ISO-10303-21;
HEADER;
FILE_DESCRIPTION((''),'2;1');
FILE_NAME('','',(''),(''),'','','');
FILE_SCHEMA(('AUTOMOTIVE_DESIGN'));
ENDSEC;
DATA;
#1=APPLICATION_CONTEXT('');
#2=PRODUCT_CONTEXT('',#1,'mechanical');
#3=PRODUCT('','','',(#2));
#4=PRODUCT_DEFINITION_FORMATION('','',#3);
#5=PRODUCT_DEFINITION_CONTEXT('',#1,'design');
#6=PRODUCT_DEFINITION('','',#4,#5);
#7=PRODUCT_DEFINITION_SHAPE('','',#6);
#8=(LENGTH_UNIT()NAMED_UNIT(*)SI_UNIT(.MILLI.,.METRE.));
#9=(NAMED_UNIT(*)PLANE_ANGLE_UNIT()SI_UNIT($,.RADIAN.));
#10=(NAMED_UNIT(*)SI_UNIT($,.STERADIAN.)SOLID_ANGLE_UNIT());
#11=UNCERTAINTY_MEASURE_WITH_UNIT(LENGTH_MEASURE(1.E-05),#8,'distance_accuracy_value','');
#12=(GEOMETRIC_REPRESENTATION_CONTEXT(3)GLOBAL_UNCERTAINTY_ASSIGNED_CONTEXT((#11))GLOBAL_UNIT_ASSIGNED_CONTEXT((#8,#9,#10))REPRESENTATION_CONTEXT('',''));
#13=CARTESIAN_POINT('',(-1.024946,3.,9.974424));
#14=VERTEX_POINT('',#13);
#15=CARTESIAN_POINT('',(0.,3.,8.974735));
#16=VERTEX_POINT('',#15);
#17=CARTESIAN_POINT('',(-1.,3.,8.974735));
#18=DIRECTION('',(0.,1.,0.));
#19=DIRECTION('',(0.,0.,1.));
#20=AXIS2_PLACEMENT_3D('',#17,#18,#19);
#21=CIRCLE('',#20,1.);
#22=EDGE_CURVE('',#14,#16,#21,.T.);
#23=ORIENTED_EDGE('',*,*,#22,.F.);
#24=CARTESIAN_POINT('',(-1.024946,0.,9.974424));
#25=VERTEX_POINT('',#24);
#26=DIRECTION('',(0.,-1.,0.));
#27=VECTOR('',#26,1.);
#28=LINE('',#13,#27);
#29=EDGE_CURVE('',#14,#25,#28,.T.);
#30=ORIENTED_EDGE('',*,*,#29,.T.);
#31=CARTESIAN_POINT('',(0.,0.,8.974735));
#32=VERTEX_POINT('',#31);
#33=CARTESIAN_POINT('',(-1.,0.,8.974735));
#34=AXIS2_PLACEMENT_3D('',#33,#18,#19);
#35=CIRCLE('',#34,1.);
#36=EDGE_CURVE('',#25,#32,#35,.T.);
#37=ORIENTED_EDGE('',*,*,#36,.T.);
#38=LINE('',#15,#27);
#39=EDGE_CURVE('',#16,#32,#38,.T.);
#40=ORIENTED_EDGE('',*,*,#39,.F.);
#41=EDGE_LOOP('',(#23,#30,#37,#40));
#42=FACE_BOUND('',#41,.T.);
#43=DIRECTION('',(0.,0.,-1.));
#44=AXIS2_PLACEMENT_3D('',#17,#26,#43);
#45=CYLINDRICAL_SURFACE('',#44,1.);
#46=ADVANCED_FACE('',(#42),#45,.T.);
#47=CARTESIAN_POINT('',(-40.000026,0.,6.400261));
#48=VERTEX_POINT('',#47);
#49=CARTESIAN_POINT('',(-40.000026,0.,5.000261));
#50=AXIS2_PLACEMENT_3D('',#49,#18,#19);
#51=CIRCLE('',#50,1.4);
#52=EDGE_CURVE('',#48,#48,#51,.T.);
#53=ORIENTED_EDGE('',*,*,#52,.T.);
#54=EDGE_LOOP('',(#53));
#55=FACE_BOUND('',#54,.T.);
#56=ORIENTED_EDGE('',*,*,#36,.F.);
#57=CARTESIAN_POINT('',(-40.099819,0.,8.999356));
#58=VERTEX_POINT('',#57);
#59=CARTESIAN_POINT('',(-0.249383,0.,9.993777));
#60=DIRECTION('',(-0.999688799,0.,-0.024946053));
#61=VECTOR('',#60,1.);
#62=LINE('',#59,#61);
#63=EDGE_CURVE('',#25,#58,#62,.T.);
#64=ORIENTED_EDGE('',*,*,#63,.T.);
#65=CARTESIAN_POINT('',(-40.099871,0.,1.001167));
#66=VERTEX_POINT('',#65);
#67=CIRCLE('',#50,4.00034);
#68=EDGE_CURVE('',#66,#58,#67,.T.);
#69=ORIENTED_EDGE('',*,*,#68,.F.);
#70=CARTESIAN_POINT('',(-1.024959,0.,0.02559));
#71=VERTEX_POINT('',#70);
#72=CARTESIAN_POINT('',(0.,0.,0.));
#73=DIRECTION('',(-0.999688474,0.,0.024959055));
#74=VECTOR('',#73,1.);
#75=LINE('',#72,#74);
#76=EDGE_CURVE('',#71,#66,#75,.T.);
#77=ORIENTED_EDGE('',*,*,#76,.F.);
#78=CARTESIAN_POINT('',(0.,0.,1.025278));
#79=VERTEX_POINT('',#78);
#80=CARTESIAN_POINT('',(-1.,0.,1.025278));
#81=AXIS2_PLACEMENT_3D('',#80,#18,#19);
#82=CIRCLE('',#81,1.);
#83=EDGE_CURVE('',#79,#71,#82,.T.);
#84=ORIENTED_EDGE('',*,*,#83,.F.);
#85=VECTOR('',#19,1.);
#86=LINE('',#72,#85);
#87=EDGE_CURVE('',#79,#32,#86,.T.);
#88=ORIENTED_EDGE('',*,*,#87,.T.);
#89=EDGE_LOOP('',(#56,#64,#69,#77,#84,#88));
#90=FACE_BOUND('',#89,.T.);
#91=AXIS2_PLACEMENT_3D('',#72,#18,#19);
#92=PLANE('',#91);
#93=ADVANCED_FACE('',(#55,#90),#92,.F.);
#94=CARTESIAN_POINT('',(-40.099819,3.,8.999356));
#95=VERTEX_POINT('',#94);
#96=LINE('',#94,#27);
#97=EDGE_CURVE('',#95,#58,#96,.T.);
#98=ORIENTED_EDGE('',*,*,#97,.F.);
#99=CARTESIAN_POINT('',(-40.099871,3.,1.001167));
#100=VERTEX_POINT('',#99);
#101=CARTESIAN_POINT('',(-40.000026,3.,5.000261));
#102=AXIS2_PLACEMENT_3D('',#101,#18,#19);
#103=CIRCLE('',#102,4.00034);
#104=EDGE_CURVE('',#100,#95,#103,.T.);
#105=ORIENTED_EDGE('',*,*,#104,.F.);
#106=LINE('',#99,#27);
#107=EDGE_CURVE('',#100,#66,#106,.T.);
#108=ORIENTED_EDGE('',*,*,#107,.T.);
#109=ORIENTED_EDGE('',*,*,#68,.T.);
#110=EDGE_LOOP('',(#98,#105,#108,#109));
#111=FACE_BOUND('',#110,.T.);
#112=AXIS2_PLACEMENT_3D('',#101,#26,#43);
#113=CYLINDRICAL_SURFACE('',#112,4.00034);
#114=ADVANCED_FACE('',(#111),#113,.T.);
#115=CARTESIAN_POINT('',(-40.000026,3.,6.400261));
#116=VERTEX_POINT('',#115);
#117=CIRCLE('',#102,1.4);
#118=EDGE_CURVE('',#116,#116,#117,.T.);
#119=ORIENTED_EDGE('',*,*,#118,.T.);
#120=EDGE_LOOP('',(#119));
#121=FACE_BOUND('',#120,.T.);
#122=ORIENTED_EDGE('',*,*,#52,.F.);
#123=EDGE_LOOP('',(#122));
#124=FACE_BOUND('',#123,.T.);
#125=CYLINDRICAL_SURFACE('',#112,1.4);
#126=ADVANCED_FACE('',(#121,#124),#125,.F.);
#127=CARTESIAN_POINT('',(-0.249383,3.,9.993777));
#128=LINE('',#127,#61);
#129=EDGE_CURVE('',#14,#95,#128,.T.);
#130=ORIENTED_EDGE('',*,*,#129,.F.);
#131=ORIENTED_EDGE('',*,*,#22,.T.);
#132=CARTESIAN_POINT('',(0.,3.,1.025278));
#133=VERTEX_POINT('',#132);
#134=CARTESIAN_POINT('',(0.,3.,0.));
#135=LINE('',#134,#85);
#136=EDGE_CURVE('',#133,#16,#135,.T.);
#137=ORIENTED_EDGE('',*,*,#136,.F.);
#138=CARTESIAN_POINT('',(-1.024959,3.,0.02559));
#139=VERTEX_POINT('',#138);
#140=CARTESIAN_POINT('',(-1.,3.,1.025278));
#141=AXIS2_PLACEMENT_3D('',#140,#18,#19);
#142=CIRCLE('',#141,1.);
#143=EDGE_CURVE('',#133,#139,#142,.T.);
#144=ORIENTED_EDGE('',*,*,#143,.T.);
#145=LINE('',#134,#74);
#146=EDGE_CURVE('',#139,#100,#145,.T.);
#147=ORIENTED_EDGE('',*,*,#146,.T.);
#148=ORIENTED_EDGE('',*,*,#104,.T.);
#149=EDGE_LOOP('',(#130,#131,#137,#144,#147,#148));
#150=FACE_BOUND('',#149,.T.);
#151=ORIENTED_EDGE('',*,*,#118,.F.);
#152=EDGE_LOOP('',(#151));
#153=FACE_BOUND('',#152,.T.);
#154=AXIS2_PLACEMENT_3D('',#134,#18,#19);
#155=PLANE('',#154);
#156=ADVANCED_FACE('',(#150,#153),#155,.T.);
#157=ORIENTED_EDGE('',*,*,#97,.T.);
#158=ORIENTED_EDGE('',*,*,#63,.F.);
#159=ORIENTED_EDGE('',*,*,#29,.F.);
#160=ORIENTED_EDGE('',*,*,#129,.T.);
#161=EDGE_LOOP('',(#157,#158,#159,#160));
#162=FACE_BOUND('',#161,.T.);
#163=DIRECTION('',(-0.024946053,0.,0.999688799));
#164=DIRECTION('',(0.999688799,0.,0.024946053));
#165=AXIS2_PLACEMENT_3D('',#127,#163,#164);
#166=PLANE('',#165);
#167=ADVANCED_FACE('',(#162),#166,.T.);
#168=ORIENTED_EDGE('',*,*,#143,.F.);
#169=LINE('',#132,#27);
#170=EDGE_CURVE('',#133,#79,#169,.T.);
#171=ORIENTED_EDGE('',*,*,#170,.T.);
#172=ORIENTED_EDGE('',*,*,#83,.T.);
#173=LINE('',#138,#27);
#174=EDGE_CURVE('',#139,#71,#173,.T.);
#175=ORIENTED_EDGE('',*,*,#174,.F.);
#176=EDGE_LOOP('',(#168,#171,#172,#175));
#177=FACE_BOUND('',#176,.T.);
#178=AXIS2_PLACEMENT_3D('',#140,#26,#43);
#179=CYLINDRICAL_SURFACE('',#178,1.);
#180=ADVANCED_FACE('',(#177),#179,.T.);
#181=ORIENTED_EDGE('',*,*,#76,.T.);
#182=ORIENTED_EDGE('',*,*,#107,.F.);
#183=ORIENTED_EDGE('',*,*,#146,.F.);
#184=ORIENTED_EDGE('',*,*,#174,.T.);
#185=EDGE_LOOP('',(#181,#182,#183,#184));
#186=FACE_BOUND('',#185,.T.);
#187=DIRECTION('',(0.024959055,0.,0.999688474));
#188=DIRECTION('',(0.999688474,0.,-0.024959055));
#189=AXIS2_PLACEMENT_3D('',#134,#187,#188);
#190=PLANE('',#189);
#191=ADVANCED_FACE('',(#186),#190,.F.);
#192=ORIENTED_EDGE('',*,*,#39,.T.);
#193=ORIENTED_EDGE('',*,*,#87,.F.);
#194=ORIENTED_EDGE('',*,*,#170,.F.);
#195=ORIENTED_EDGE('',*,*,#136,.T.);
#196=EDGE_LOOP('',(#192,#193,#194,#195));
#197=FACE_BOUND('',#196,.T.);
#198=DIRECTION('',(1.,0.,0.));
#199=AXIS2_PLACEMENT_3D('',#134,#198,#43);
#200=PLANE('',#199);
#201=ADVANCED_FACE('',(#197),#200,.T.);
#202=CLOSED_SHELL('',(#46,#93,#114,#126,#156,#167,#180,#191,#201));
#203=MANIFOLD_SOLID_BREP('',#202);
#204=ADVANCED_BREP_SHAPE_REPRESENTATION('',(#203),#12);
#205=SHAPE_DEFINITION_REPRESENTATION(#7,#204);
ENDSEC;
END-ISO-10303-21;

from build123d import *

# Parameters (mm, degrees)
SKETCH1_R           = 1.4
BOSS_EXTRUDE1_DEPTH = 3


with BuildPart() as part:
    # Sketch1 → Boss-Extrude1 (new body)
    with BuildSketch(Plane(origin=(0, 0, 0), x_dir=(1, 0, 0), z_dir=(0, 1, 0))):
        with BuildLine():
            Line((0, -1.025278455), (0, -8.974734883))
            ThreePointArc((0, -8.974734883), (-0.301768682, -9.690607097), (-1.024946053, -9.974423682))
            Line((-1.024946053, -9.974423682), (-40.099818721, -8.999356383))
            ThreePointArc((-40.099818721, -8.999356383), (-44.000366387, -5.000286937), (-40.099870732, -1.001166763))
            Line((-40.099870732, -1.001166763), (-1.024959055, -0.025589981))
            ThreePointArc((-1.024959055, -0.025589981), (-0.301773337, -0.309401701), (0, -1.025278455))
        make_face()
        with Locations(Location((-40.000026017, -5.000260924, 0), (0, 0, 270))):
            Circle(SKETCH1_R, mode=Mode.SUBTRACT)
    extrude(amount=BOSS_EXTRUDE1_DEPTH)


solid = part.part
